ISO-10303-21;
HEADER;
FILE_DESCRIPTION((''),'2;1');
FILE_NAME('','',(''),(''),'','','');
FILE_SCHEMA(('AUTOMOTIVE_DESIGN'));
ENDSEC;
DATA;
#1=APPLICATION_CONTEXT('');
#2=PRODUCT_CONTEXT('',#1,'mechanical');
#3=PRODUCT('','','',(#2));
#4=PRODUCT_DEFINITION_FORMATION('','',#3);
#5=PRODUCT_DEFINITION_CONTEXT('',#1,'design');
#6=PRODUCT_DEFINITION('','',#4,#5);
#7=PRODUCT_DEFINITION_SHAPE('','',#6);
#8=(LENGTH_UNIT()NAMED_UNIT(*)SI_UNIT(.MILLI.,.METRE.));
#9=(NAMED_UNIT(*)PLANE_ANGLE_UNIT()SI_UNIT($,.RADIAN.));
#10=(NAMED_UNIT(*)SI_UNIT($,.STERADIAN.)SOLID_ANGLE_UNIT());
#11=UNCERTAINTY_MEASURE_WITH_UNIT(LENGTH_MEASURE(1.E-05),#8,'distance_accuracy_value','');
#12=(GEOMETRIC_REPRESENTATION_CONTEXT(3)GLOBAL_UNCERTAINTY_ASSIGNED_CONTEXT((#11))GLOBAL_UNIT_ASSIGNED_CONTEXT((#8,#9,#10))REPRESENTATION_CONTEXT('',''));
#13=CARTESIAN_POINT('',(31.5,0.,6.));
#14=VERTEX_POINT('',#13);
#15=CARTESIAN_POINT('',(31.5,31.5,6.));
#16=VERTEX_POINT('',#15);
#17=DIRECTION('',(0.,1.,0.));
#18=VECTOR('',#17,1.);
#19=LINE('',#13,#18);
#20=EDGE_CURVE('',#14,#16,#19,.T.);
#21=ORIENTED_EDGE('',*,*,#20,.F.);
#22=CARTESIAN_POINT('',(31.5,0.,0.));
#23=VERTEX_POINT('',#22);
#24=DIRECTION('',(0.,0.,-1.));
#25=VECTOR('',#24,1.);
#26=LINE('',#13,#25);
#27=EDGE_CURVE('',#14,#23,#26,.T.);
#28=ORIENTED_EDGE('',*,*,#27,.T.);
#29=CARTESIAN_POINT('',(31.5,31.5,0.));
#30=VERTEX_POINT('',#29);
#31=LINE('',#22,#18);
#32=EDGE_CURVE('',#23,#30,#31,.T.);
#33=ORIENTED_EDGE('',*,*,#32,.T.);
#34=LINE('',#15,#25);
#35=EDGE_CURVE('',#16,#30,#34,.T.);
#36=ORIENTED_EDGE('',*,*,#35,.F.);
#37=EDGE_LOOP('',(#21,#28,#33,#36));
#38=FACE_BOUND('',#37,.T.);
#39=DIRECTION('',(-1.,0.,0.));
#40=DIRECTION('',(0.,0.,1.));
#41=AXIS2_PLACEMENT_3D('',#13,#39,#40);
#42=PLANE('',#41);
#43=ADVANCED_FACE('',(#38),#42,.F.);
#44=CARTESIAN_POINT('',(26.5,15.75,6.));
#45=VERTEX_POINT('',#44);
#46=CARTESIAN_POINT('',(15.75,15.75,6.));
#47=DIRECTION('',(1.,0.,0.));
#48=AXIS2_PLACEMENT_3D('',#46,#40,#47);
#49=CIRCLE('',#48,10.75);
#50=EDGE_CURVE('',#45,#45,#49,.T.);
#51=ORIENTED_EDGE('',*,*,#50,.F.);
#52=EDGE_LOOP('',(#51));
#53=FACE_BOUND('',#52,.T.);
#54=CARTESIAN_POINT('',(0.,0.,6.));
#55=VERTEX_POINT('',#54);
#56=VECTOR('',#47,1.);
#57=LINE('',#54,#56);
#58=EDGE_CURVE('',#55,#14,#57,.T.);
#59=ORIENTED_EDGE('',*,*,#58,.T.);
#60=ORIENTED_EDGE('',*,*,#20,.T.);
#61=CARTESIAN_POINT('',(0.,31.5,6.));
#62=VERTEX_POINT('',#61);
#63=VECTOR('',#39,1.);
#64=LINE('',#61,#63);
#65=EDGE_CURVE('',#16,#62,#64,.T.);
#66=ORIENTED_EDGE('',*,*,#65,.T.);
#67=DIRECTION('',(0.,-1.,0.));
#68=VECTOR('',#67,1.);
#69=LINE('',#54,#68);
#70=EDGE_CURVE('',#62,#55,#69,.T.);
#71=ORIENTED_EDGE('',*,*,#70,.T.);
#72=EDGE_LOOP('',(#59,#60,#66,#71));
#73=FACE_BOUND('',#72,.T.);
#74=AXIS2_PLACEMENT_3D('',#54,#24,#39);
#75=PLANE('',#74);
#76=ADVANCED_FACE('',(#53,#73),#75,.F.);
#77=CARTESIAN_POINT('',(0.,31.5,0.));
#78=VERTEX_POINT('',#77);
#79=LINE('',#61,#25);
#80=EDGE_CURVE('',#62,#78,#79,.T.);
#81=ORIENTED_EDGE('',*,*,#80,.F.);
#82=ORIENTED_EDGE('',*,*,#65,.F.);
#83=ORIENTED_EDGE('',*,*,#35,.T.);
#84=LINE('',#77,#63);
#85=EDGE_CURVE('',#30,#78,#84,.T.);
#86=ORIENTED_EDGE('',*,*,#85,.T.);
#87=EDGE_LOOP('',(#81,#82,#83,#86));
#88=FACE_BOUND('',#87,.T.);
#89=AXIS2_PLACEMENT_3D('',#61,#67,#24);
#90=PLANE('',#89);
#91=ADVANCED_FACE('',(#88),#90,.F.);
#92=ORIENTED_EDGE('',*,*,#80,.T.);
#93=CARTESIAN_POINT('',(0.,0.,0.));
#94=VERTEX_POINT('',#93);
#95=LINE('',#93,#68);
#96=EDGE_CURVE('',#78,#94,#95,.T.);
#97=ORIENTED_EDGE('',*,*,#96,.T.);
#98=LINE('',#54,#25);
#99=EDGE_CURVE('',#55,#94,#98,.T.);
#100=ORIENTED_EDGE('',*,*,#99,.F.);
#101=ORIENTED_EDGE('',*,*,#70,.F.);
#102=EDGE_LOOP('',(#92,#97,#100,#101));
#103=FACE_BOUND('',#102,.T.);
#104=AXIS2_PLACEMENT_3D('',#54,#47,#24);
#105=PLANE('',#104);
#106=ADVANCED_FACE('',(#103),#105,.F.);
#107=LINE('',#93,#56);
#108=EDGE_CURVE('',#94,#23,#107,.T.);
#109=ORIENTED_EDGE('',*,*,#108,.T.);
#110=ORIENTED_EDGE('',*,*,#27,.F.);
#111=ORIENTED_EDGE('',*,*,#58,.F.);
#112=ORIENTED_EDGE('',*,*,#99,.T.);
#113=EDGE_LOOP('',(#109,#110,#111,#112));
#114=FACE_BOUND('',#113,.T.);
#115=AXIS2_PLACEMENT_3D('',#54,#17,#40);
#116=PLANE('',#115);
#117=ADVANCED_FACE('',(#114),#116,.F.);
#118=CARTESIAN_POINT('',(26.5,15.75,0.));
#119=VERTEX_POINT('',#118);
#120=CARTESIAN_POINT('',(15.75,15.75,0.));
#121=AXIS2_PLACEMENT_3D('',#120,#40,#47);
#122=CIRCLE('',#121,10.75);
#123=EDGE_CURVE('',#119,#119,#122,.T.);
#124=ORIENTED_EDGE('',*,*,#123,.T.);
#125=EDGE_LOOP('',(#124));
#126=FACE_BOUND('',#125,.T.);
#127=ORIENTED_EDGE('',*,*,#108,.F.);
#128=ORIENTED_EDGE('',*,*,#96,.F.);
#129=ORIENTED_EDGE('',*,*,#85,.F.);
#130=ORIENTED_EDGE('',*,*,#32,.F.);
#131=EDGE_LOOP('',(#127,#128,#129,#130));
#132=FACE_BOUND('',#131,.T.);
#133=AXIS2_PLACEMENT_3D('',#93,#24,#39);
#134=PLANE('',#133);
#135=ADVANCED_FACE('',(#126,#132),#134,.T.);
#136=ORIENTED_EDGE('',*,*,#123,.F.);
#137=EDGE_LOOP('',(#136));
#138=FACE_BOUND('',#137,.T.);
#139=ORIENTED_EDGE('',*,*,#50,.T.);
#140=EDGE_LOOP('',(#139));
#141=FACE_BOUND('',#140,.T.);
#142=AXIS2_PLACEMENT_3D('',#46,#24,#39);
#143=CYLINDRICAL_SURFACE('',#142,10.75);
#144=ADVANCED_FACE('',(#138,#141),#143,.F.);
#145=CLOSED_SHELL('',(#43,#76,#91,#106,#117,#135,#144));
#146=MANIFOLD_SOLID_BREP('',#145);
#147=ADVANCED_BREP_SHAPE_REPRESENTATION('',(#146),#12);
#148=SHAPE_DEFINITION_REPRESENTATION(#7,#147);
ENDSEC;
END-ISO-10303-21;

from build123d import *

# Parameters (mm, degrees)
ESQUISSE1_W        = 31.5
ESQUISSE1_H        = 31.5
ESQUISSE1_R        = 10.75
BOSS_EXTRU_1_DEPTH = 6


with BuildPart() as part:
    # Esquisse1 → Boss.-Extru.1 (new body)
    with BuildSketch(Plane.XY):
        with Locations((15.75, 15.75)):
            Rectangle(ESQUISSE1_W, ESQUISSE1_H)
        with Locations((15.75, 15.75)):
            Circle(ESQUISSE1_R, mode=Mode.SUBTRACT)
    extrude(amount=BOSS_EXTRU_1_DEPTH)


solid = part.part
